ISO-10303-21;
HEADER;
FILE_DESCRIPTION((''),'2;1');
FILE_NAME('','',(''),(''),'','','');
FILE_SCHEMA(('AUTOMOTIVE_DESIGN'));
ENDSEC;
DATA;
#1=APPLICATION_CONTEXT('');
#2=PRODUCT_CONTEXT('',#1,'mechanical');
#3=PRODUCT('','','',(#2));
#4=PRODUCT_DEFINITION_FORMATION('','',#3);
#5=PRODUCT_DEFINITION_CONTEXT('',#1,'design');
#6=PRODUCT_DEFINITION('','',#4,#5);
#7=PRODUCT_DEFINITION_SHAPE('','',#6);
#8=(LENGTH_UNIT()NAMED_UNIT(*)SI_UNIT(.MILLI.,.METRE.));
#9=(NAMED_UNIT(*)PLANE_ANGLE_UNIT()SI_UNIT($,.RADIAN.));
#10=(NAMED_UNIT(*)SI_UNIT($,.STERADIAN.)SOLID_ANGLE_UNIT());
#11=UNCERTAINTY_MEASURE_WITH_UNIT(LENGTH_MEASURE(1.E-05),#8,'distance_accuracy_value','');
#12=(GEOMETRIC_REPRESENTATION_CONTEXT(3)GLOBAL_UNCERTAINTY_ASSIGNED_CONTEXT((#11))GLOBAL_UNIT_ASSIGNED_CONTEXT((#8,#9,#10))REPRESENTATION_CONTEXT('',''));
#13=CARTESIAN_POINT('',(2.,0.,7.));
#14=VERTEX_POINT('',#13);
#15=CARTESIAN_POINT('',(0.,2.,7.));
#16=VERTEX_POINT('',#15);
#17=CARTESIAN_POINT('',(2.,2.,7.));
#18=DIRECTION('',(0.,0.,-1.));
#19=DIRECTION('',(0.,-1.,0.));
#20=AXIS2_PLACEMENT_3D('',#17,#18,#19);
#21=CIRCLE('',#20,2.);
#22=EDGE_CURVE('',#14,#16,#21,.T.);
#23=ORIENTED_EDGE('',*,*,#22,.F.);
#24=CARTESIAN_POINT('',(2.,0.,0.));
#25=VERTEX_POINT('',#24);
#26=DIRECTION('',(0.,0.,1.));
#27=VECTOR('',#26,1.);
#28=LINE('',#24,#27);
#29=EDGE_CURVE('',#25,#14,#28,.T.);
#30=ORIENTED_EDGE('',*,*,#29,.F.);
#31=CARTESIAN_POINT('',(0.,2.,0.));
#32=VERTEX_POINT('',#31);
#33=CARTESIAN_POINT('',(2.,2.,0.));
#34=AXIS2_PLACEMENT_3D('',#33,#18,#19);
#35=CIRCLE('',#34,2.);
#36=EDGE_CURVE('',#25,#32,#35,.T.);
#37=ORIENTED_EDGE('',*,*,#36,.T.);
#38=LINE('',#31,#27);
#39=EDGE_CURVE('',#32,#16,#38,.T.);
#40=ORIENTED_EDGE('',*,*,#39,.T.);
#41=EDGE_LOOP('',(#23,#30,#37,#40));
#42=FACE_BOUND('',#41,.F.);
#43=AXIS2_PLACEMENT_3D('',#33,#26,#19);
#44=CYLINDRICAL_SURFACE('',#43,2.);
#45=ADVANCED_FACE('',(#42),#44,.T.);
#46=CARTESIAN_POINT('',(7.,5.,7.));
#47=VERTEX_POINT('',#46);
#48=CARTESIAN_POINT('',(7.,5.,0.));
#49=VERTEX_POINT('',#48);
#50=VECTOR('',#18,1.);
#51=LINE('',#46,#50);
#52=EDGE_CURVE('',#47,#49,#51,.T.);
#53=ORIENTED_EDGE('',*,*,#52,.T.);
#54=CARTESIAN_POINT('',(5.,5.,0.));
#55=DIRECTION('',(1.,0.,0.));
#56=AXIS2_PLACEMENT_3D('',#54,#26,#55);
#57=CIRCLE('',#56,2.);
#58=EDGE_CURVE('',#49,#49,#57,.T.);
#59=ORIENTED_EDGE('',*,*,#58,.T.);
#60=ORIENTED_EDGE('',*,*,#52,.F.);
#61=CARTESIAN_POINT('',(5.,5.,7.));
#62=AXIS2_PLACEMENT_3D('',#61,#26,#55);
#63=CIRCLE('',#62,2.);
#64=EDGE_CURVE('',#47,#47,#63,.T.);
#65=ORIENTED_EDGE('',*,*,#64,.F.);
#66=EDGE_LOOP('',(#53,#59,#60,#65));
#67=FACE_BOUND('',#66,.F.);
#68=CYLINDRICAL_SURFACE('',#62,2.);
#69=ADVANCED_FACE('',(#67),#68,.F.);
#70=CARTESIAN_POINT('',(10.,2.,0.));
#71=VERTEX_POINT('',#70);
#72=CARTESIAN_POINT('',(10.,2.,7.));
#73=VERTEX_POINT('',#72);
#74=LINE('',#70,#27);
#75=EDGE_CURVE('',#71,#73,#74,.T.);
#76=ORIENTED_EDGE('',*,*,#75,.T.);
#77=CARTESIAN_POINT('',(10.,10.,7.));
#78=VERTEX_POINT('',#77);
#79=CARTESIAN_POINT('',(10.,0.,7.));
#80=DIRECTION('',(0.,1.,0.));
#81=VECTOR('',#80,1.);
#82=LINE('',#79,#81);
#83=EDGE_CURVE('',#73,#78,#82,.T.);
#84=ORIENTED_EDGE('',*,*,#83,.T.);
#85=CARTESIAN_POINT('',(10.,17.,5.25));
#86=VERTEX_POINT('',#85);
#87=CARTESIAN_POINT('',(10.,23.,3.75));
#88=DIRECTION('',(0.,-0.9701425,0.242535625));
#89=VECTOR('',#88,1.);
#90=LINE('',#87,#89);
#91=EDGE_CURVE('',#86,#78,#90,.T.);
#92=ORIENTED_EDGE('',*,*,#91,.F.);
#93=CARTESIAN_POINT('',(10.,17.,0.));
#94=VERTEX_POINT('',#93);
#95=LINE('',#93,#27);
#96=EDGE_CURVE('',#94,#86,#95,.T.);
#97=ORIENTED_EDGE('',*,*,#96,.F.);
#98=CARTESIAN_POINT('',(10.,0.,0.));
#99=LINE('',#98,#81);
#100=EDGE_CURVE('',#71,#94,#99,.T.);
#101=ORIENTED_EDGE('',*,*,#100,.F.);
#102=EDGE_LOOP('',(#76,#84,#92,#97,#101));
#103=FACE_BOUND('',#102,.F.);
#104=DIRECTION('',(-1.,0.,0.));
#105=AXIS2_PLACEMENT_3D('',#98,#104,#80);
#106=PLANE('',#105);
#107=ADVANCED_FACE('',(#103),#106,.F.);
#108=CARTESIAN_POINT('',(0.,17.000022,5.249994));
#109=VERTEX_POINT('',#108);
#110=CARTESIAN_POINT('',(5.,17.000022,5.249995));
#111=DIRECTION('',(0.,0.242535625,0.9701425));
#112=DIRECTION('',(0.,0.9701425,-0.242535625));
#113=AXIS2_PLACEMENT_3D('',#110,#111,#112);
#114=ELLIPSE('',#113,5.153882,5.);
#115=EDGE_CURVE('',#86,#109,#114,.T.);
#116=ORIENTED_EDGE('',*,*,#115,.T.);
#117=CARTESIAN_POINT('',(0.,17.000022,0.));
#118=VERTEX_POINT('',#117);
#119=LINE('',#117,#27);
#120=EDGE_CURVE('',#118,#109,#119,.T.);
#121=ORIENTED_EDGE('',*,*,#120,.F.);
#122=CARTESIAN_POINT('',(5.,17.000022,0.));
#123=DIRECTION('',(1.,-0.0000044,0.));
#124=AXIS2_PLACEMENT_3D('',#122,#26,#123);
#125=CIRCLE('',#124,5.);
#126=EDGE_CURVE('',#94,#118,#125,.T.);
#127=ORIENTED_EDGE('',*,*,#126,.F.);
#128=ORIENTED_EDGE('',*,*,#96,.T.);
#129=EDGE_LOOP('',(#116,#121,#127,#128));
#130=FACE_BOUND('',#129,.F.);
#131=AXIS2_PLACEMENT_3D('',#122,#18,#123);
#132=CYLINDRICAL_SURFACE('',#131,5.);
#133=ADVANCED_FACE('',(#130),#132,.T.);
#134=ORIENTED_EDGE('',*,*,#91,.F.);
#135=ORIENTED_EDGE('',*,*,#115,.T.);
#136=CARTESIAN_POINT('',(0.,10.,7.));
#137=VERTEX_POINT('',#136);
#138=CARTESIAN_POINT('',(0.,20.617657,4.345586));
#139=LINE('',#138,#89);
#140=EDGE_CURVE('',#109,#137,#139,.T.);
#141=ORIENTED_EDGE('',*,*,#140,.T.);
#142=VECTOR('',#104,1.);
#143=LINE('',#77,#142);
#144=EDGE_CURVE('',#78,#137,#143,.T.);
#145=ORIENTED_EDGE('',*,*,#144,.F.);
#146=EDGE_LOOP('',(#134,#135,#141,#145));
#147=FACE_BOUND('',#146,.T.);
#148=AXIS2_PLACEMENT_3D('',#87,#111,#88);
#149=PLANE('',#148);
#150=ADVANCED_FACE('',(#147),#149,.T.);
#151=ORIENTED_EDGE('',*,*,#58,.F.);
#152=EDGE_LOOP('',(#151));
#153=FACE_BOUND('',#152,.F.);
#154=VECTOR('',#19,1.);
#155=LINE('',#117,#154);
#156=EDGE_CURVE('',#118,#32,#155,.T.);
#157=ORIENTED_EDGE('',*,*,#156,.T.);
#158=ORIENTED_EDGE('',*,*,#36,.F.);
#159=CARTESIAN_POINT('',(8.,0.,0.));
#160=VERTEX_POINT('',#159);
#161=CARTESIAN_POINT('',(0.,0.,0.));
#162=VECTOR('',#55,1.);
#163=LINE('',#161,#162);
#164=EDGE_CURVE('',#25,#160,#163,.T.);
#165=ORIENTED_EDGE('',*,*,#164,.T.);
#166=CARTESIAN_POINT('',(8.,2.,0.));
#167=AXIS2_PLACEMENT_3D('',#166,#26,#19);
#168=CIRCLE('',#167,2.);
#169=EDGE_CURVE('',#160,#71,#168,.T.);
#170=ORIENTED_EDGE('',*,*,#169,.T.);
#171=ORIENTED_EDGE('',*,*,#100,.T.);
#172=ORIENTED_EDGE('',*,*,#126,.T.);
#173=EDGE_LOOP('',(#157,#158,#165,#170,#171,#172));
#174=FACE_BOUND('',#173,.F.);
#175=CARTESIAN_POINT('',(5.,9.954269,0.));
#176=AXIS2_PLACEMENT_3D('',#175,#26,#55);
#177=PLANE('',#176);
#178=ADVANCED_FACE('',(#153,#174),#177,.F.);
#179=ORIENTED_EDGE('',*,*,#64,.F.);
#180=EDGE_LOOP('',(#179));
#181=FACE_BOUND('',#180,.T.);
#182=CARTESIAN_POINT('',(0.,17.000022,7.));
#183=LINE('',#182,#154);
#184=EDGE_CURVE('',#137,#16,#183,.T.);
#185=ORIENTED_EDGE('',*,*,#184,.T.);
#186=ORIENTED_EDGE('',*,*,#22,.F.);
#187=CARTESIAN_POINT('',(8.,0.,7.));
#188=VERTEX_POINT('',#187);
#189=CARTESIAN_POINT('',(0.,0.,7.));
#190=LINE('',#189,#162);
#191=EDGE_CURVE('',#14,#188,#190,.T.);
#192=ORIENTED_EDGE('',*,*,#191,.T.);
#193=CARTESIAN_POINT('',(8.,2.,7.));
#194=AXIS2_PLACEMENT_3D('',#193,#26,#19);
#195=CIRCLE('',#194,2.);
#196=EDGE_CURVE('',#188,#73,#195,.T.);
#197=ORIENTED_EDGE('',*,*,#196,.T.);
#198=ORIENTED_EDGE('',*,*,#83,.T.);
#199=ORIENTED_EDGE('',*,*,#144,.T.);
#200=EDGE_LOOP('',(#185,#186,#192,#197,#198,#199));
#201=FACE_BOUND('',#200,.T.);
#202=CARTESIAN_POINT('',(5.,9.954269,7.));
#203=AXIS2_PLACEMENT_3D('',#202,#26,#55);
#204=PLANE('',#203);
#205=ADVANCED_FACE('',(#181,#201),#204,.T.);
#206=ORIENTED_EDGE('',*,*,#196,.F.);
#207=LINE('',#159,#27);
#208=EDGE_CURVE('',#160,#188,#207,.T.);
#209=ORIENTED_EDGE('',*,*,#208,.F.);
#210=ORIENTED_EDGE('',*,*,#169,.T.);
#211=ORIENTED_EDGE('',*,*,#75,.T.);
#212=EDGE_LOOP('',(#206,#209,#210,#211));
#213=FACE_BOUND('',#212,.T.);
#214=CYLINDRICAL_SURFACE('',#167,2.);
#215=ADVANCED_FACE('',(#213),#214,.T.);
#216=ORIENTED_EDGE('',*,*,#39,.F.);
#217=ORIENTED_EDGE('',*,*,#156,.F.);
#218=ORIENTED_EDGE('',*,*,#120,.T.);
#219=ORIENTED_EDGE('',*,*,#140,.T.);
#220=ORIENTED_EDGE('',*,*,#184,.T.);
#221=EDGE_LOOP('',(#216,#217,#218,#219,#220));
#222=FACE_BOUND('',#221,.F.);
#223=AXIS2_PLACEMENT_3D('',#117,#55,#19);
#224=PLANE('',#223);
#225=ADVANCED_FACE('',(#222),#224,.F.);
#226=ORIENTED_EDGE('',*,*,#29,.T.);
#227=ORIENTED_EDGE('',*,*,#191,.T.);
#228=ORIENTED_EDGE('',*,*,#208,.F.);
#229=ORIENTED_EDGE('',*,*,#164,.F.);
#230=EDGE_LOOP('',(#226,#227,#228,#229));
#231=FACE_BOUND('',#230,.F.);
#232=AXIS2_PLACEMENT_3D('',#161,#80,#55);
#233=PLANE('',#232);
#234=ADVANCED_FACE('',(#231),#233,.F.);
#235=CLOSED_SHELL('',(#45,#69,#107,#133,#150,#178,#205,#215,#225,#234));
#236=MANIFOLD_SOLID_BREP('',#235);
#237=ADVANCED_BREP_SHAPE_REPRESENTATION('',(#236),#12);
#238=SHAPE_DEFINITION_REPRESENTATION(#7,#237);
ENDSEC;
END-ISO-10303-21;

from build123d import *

# Parameters (mm, degrees)
PAD_DEPTH       = 7
POCKET_DEPTH    = 10.001
SKETCH002_R     = 2
POCKET001_DEPTH = 7.001
FILLET_R        = 2


with BuildPart() as part:
    # Sketch → Pad (new body)
    with BuildSketch(Plane.XY):
        with BuildLine():
            Line((0, 0), (10, 0))
            Line((10, 0), (10, 17))
            ThreePointArc((10, 17), (5.000011, 22.000022), (0, 17.000022))
            Line((0, 17.000022), (0, 0))
        make_face()
    extrude(amount=PAD_DEPTH)

    # Sketch001 → Pocket (cut, through all)
    with BuildSketch(Plane.YZ.offset(10)):
        Polygon((10, 8), (23, 8), (23, 3.75), (10, 7), align=None)
    extrude(amount=-POCKET_DEPTH, mode=Mode.SUBTRACT)

    # Sketch002 → Pocket001 (cut, through all)
    with BuildSketch(Plane.XY.offset(7)):
        with Locations((5, 5)):
            Circle(SKETCH002_R)
    extrude(amount=-POCKET001_DEPTH, mode=Mode.SUBTRACT)

    # Fillet
    fillet_edges = [part.edges().sort_by_distance(p)[0] for p in [
        (0, 0, 3.5),
        (10, 0, 3.5),
    ]]
    fillet(fillet_edges, radius=FILLET_R)


solid = part.part
